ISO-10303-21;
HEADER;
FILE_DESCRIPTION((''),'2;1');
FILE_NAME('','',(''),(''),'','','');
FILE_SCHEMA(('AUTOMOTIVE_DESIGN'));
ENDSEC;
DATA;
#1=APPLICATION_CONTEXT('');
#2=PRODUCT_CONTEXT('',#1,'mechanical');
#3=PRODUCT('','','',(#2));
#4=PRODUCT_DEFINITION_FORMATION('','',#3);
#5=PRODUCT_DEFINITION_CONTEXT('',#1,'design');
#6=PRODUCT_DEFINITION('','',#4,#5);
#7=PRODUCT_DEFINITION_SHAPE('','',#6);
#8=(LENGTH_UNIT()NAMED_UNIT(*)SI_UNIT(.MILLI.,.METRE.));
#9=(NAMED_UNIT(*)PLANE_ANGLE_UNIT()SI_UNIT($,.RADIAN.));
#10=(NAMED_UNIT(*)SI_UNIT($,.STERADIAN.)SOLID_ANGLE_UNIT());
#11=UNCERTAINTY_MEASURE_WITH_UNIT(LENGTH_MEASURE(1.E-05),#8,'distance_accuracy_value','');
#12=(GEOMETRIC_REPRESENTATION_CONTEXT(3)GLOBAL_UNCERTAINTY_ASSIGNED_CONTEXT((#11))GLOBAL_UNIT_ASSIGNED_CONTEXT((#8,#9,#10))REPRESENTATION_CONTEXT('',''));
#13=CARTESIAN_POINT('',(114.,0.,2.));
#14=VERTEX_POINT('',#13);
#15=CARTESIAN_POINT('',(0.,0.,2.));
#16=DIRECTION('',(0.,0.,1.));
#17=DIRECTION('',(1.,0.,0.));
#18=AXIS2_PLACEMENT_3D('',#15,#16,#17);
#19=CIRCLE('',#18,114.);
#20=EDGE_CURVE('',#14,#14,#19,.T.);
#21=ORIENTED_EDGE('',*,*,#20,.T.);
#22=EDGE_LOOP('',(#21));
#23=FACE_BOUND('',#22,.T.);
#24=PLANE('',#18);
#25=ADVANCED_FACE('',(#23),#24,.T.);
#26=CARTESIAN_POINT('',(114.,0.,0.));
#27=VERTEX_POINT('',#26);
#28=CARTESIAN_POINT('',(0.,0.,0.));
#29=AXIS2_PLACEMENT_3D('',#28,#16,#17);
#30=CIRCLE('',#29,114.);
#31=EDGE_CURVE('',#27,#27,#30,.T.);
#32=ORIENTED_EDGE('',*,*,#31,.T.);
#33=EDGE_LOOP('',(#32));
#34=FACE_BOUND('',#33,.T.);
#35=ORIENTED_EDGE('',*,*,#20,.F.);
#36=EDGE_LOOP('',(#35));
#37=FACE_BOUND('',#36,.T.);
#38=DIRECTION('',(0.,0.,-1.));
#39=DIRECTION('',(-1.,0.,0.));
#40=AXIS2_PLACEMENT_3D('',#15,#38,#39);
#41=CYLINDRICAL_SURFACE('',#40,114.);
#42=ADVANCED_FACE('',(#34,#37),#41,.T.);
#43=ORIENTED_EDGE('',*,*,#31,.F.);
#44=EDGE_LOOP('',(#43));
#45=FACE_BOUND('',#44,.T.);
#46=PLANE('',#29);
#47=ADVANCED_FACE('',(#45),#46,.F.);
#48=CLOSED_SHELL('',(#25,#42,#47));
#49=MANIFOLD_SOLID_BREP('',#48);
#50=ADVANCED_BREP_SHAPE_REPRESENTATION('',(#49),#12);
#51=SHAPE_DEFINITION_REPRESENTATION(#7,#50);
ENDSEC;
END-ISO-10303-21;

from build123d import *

# Parameters (mm, degrees)
SKETCH_1_R      = 114
EXTRUDE_1_DEPTH = 2


with BuildPart() as part:
    # 草图1 → 凸台-拉伸1 (new body)
    with BuildSketch(Plane.XY):
        Circle(SKETCH_1_R)
    extrude(amount=EXTRUDE_1_DEPTH)


solid = part.part
